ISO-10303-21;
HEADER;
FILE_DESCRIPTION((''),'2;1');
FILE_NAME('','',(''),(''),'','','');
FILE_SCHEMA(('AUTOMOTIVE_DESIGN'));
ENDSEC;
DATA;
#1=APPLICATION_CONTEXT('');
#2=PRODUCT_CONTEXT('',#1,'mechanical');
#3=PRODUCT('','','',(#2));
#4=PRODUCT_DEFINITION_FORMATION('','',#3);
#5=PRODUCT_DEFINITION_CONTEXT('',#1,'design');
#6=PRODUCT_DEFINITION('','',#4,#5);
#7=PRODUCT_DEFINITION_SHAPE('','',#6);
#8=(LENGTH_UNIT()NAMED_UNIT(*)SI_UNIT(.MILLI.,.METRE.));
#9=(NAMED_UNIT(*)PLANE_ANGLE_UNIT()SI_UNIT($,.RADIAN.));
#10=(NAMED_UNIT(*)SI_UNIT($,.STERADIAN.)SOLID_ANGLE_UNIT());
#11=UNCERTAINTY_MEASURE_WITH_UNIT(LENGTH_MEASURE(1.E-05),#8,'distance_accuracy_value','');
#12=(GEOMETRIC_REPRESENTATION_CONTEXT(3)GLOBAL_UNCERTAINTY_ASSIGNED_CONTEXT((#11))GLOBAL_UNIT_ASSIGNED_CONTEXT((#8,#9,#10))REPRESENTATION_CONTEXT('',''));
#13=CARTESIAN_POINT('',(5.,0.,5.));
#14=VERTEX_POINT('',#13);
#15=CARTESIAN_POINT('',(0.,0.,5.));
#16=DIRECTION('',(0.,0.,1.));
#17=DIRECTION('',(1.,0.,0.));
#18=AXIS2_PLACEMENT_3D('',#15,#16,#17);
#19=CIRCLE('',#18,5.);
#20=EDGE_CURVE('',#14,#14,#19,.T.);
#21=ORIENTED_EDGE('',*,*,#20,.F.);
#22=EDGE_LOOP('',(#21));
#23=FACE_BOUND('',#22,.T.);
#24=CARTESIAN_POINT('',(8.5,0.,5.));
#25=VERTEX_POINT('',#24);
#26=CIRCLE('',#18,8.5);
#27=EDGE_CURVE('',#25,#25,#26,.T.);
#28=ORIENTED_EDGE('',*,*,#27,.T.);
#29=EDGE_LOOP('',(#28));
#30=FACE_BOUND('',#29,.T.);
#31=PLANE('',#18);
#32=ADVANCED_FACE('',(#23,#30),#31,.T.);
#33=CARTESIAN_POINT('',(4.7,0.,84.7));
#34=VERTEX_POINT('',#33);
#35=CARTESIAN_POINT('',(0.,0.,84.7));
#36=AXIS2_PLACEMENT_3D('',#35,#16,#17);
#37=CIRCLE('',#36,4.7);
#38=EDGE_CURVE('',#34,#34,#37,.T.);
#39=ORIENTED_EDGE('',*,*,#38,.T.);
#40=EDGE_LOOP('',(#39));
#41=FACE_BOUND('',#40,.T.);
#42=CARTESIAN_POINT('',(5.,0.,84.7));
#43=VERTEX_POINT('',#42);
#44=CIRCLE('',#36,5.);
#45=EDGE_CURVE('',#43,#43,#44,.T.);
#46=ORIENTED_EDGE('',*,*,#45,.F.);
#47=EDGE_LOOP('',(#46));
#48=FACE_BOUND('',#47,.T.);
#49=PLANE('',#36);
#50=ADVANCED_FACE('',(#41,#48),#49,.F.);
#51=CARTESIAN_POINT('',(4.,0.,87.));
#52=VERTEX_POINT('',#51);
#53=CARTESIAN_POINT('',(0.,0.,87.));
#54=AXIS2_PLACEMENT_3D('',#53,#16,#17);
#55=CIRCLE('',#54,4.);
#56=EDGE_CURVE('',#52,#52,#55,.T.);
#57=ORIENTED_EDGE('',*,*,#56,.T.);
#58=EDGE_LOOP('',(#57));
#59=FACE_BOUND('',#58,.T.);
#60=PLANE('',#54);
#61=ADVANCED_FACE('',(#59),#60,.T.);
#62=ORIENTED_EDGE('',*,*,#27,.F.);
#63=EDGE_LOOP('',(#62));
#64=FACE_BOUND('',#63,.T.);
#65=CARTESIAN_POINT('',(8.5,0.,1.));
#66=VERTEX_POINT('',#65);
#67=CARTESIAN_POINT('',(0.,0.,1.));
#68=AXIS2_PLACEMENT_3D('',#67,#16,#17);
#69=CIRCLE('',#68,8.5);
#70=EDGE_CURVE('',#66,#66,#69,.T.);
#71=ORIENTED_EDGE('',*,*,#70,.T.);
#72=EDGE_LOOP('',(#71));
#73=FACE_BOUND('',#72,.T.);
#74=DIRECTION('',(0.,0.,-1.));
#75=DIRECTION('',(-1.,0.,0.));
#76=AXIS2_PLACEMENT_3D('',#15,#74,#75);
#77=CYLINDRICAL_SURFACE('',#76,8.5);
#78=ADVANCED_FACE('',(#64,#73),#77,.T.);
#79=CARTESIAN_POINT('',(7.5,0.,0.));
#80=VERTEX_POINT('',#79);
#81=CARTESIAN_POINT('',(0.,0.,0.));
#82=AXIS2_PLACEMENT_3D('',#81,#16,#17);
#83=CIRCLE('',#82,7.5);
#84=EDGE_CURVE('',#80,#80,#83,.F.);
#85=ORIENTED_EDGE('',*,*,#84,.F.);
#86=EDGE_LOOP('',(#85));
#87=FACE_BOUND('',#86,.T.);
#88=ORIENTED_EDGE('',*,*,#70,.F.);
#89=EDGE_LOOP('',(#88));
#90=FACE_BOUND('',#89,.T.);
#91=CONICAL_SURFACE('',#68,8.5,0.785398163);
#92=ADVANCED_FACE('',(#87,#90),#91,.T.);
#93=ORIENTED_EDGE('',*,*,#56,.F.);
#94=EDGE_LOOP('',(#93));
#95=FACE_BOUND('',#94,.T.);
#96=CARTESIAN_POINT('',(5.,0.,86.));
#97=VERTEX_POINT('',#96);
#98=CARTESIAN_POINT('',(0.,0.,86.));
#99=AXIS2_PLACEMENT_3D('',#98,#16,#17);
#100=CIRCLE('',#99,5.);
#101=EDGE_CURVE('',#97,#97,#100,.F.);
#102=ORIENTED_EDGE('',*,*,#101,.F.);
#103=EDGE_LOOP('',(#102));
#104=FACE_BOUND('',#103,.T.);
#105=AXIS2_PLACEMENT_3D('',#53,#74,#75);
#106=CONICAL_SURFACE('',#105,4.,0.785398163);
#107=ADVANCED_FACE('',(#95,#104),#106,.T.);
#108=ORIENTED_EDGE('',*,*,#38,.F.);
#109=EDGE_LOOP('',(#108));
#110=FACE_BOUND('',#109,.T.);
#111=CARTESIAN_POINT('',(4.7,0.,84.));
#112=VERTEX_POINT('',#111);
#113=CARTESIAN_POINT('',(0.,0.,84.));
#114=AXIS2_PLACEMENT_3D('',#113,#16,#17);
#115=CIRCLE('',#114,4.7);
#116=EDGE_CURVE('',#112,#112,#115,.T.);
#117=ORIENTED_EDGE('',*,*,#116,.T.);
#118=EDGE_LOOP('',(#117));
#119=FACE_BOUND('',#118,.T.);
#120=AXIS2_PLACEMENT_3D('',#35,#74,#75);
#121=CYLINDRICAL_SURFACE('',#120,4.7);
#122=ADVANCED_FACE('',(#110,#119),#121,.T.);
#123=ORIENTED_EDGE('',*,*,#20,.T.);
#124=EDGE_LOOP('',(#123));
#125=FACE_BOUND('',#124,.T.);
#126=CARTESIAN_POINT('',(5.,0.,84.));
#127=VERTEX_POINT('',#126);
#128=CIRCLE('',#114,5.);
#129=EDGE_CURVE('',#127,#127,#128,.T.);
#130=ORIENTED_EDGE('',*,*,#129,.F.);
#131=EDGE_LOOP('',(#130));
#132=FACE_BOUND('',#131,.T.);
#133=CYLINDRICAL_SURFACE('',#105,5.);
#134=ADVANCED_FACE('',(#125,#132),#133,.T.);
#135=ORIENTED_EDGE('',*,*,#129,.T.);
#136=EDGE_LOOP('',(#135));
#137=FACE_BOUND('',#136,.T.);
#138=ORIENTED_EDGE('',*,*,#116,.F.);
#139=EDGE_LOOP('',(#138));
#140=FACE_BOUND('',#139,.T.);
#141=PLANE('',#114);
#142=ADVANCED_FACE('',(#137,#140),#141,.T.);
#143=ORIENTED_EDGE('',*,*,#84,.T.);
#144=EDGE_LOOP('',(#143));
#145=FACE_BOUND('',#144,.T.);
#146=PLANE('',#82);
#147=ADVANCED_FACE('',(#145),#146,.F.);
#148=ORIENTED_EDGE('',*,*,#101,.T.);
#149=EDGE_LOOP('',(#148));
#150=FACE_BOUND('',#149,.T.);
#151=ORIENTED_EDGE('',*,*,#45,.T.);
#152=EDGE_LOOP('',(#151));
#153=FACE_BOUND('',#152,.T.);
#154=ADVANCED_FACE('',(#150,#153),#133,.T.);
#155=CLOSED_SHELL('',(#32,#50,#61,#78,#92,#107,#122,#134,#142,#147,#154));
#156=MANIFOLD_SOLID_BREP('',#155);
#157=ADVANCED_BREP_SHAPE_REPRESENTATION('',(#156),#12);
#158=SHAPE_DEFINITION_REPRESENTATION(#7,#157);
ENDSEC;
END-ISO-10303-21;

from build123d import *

# Parameters (mm, degrees)
SKETCH1_R               = 8.5
BOSS_EXTRUDE1_DEPTH     = 5
SKETCH2_R               = 5
BOSS_EXTRUDE2_DEPTH     = 82
CHAMFER1_SIZE           = 1
SKETCH3_R               = 14.7
SKETCH3_R_2             = 4.7
CUT_EXTRUDE_THIN1_DEPTH = 0.7


with BuildPart() as part:
    # Sketch1 → Boss-Extrude1 (new body)
    with BuildSketch(Plane.XY):
        Circle(SKETCH1_R)
    extrude(amount=BOSS_EXTRUDE1_DEPTH)

    # Sketch2 → Boss-Extrude2 (add)
    with BuildSketch(Plane.XY.offset(5)):
        Circle(SKETCH2_R)
    extrude(amount=BOSS_EXTRUDE2_DEPTH)

    # Chamfer1
    chamfer1_edges = [part.edges().sort_by_distance(p)[0] for p in [
        (-8.5, 0, 0),
        (-5, 0, 87),
    ]]
    chamfer(chamfer1_edges, length=CHAMFER1_SIZE)

    # Sketch3 → Cut-Extrude-Thin1 (cut)
    with BuildSketch(Plane.XY.offset(84)):
        Circle(SKETCH3_R)
        Circle(SKETCH3_R_2, mode=Mode.SUBTRACT)
    extrude(amount=CUT_EXTRUDE_THIN1_DEPTH, mode=Mode.SUBTRACT)


solid = part.part
